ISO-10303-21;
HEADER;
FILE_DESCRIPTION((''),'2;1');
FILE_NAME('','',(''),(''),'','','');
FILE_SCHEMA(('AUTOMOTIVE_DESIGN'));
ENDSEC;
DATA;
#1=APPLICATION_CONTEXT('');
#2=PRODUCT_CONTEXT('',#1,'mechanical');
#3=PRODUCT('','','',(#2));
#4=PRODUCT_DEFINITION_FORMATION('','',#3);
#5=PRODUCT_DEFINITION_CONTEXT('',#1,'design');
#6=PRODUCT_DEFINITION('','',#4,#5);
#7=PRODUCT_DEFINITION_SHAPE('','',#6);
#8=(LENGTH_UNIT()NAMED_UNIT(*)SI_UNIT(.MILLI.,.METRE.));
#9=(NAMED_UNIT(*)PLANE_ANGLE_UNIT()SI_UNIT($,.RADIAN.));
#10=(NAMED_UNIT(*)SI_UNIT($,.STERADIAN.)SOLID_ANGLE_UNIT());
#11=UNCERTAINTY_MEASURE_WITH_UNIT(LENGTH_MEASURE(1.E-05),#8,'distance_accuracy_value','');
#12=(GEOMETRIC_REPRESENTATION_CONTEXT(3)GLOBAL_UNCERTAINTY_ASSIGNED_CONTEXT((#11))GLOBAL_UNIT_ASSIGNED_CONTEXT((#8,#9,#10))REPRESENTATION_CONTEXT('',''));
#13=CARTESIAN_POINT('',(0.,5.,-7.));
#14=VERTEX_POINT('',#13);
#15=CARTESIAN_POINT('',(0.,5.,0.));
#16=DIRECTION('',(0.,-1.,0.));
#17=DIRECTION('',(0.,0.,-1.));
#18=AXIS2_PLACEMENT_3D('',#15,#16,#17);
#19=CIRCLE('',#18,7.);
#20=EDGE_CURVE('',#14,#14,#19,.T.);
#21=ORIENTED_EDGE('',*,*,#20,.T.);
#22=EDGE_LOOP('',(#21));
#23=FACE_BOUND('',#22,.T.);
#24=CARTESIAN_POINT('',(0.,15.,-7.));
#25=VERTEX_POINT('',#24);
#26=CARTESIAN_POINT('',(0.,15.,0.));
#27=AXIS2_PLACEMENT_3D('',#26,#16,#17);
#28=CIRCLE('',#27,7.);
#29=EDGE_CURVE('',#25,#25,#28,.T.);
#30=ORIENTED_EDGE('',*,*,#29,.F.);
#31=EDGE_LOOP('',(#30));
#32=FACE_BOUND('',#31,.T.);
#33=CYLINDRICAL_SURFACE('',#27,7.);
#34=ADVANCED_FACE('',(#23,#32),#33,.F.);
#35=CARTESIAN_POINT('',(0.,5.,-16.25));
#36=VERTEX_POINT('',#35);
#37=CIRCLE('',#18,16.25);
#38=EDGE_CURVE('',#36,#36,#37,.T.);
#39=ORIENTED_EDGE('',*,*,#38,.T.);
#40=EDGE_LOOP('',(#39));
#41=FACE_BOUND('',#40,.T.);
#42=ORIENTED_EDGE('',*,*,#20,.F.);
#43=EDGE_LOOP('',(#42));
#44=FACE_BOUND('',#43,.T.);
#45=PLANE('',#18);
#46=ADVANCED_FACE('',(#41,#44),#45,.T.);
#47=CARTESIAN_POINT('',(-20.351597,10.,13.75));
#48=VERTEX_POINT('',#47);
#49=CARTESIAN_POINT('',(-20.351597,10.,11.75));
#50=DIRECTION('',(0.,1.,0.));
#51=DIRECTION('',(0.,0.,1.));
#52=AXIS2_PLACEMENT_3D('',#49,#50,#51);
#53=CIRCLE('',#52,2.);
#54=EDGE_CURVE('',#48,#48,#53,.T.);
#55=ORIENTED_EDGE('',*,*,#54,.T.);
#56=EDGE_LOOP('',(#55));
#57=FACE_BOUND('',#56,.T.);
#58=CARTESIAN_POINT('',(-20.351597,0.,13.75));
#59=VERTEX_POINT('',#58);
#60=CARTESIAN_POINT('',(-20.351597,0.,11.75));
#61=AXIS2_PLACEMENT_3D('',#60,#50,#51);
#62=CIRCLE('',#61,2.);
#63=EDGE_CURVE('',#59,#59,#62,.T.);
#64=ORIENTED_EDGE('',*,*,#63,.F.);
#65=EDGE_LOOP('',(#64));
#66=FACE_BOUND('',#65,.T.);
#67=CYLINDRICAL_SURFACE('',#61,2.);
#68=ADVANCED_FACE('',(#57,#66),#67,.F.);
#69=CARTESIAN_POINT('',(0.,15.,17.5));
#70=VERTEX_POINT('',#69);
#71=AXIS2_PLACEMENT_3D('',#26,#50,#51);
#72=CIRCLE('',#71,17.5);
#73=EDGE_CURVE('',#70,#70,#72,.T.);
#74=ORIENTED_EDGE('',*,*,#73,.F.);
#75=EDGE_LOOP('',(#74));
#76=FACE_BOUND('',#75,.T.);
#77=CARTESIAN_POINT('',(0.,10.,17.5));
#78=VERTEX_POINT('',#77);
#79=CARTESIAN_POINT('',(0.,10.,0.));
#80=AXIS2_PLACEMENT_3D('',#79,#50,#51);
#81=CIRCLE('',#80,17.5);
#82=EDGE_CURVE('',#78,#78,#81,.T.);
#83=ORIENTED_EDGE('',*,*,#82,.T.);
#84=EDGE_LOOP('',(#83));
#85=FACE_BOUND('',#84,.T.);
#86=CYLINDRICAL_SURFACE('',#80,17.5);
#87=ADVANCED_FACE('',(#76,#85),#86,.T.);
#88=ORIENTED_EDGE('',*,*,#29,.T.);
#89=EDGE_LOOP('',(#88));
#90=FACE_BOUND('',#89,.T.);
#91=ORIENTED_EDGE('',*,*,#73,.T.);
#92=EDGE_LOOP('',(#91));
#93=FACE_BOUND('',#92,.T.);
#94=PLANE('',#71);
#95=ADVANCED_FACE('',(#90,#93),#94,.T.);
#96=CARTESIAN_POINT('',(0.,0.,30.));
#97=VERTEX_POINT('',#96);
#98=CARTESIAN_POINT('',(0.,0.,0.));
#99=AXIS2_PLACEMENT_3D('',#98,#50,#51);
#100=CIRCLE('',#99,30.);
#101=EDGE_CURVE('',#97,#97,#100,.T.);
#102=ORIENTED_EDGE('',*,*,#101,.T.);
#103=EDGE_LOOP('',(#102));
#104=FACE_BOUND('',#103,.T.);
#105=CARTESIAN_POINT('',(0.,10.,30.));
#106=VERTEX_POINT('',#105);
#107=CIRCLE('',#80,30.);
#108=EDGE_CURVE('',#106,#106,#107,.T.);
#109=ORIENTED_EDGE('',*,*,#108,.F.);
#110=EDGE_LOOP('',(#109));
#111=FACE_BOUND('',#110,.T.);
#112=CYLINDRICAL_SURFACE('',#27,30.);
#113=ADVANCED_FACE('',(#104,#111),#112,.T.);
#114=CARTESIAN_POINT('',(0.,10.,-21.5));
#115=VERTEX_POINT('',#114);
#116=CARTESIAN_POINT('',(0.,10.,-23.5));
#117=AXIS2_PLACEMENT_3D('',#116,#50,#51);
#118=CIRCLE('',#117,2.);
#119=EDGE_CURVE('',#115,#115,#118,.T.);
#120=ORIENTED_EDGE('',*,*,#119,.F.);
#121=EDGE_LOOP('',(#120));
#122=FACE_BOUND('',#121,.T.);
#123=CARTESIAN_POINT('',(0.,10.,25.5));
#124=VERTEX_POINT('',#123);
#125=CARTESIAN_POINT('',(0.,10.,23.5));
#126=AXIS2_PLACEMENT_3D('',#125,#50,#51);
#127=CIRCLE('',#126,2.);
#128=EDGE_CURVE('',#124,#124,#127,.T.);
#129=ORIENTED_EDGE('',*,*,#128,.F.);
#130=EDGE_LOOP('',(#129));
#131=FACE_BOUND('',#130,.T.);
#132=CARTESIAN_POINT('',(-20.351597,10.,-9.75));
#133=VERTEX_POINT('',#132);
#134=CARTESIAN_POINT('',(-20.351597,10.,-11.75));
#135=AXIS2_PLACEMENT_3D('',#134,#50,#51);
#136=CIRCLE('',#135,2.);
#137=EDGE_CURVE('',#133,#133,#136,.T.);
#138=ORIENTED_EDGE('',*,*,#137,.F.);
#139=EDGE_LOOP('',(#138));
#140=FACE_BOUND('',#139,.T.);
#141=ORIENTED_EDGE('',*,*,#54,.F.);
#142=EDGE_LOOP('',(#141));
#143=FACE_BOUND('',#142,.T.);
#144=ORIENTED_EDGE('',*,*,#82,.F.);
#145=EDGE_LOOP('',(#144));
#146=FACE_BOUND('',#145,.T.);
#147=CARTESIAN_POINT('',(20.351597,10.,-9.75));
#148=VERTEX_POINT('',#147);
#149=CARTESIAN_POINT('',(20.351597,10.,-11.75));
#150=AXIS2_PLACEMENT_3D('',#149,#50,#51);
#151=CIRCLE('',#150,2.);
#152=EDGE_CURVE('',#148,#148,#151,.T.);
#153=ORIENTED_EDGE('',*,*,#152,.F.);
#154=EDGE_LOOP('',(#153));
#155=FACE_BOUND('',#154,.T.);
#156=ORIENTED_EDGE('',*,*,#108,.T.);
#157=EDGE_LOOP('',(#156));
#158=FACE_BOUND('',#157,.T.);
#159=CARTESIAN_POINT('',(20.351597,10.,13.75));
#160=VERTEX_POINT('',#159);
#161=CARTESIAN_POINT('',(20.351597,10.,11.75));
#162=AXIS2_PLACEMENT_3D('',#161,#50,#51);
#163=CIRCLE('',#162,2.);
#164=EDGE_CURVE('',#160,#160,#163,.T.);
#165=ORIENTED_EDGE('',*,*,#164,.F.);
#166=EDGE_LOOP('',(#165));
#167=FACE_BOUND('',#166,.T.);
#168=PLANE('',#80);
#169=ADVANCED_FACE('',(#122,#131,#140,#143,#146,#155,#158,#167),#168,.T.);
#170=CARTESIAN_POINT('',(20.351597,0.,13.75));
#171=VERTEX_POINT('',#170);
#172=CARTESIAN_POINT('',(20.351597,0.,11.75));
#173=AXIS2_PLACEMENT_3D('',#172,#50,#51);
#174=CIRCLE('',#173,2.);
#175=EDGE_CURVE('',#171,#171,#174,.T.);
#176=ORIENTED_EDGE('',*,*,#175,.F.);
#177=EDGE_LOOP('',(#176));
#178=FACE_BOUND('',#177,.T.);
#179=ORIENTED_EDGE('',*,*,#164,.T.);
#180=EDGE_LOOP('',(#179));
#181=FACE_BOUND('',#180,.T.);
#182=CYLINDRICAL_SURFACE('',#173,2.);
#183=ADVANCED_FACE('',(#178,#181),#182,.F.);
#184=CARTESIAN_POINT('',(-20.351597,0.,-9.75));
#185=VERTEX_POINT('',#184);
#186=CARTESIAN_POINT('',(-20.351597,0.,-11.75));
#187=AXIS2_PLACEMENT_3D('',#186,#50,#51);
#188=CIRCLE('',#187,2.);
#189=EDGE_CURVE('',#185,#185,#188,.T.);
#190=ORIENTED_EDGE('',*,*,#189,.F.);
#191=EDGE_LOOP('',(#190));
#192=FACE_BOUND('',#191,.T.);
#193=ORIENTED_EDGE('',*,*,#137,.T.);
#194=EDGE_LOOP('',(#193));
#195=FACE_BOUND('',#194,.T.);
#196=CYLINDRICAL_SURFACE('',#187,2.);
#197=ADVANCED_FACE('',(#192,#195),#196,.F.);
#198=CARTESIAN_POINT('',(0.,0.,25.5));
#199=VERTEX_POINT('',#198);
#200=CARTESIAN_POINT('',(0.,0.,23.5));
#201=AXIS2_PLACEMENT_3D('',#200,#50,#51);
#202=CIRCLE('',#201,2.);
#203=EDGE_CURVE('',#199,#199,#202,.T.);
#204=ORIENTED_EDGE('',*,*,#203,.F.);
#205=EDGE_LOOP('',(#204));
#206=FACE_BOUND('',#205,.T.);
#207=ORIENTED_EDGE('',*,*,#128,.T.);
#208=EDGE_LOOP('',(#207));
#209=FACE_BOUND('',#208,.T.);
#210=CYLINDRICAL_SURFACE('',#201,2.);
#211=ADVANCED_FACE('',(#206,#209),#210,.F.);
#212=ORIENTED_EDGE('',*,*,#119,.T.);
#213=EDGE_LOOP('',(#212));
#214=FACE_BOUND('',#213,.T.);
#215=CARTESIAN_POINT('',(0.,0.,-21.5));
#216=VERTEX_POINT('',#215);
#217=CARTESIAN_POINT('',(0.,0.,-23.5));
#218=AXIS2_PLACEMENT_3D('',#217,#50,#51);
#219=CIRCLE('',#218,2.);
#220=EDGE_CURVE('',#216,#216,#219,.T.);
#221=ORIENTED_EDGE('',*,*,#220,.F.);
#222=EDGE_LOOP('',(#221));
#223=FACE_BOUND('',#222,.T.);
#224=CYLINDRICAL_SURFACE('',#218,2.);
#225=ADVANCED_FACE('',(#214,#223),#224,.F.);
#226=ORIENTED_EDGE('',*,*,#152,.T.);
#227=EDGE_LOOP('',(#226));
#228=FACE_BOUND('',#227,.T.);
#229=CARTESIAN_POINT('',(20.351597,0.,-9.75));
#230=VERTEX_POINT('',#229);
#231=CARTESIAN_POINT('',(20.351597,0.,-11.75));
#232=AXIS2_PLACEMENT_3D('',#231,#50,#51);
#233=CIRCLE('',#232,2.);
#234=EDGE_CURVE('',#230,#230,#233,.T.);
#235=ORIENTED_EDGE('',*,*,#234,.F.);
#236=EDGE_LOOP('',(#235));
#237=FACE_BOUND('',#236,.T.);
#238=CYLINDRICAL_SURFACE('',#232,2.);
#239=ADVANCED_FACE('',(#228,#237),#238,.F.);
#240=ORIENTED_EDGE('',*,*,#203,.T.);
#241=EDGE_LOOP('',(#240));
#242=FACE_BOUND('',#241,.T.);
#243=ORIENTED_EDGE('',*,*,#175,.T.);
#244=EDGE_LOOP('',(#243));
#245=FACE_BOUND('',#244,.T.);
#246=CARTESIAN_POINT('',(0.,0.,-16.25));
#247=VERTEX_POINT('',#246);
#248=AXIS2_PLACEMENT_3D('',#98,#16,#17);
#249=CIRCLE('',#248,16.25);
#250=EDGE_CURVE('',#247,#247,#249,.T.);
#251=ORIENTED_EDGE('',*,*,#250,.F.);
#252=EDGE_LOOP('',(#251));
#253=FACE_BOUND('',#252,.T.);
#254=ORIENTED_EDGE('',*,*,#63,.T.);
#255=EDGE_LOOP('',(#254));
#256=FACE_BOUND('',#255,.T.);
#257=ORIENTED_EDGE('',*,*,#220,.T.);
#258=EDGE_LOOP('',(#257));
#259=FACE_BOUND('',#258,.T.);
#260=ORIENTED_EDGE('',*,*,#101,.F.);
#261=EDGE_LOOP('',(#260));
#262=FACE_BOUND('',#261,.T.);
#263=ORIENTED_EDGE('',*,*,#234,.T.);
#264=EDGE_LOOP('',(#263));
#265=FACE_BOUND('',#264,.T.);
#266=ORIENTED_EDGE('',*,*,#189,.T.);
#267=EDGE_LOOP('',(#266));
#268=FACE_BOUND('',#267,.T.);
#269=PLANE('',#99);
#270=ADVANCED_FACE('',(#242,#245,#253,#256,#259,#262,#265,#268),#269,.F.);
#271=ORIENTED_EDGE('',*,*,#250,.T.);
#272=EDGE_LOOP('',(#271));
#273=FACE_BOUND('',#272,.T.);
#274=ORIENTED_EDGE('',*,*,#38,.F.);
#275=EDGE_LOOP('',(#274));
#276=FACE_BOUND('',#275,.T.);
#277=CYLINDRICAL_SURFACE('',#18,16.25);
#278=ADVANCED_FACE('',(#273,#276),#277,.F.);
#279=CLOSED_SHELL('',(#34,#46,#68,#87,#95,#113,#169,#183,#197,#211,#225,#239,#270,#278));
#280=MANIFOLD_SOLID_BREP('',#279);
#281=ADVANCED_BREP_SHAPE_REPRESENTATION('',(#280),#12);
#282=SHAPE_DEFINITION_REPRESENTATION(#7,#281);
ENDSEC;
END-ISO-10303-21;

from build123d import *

# Parameters (mm, degrees)
SKETCH1_R           = 30
BOSS_EXTRUDE1_DEPTH = 15
SKETCH3_R           = 16.25
CUT_EXTRUDE1_DEPTH  = 5
SKETCH4_R           = 7
CUT_EXTRUDE2_DEPTH  = 11
SKETCH5_R           = 30
SKETCH5_R_2         = 17.5
CUT_EXTRUDE3_DEPTH  = 5
SKETCH6_R           = 2
CUT_EXTRUDE4_DEPTH  = 11


with BuildPart() as part:
    # Sketch1 → Boss-Extrude1 (new body)
    with BuildSketch(Plane(origin=(0, 0, 0), x_dir=(1, 0, 0), z_dir=(0, 1, 0))):
        Circle(SKETCH1_R)
    extrude(amount=BOSS_EXTRUDE1_DEPTH)

    # Sketch3 → Cut-Extrude1 (cut)
    with BuildSketch(Plane.XZ):
        Circle(SKETCH3_R)
    extrude(amount=-CUT_EXTRUDE1_DEPTH, mode=Mode.SUBTRACT)

    # Sketch4 → Cut-Extrude2 (cut, through all)
    with BuildSketch(Plane.XZ.offset(-5)):
        Circle(SKETCH4_R)
    extrude(amount=-CUT_EXTRUDE2_DEPTH, mode=Mode.SUBTRACT)

    # Sketch5 → Cut-Extrude3 (cut)
    with BuildSketch(Plane(origin=(0, 15, 0), x_dir=(1, 0, 0), z_dir=(0, 1, 0))):
        Circle(SKETCH5_R)
        Circle(SKETCH5_R_2, mode=Mode.SUBTRACT)
    extrude(amount=-CUT_EXTRUDE3_DEPTH, mode=Mode.SUBTRACT)

    # Sketch6 → Cut-Extrude4 (cut, through all)
    with BuildSketch(Plane(origin=(0, 10, 0), x_dir=(1, 0, 0), z_dir=(0, 1, 0))):
        with Locations((0, 23.5)):
            Circle(SKETCH6_R)
        with Locations((20.351596989, 11.75)):
            Circle(SKETCH6_R)
        with Locations((20.351596989, -11.75)):
            Circle(SKETCH6_R)
        with Locations((0, -23.5)):
            Circle(SKETCH6_R)
        with Locations((-20.351596989, -11.75)):
            Circle(SKETCH6_R)
        with Locations((-20.351596989, 11.75)):
            Circle(SKETCH6_R)
    extrude(amount=-CUT_EXTRUDE4_DEPTH, mode=Mode.SUBTRACT)


solid = part.part
